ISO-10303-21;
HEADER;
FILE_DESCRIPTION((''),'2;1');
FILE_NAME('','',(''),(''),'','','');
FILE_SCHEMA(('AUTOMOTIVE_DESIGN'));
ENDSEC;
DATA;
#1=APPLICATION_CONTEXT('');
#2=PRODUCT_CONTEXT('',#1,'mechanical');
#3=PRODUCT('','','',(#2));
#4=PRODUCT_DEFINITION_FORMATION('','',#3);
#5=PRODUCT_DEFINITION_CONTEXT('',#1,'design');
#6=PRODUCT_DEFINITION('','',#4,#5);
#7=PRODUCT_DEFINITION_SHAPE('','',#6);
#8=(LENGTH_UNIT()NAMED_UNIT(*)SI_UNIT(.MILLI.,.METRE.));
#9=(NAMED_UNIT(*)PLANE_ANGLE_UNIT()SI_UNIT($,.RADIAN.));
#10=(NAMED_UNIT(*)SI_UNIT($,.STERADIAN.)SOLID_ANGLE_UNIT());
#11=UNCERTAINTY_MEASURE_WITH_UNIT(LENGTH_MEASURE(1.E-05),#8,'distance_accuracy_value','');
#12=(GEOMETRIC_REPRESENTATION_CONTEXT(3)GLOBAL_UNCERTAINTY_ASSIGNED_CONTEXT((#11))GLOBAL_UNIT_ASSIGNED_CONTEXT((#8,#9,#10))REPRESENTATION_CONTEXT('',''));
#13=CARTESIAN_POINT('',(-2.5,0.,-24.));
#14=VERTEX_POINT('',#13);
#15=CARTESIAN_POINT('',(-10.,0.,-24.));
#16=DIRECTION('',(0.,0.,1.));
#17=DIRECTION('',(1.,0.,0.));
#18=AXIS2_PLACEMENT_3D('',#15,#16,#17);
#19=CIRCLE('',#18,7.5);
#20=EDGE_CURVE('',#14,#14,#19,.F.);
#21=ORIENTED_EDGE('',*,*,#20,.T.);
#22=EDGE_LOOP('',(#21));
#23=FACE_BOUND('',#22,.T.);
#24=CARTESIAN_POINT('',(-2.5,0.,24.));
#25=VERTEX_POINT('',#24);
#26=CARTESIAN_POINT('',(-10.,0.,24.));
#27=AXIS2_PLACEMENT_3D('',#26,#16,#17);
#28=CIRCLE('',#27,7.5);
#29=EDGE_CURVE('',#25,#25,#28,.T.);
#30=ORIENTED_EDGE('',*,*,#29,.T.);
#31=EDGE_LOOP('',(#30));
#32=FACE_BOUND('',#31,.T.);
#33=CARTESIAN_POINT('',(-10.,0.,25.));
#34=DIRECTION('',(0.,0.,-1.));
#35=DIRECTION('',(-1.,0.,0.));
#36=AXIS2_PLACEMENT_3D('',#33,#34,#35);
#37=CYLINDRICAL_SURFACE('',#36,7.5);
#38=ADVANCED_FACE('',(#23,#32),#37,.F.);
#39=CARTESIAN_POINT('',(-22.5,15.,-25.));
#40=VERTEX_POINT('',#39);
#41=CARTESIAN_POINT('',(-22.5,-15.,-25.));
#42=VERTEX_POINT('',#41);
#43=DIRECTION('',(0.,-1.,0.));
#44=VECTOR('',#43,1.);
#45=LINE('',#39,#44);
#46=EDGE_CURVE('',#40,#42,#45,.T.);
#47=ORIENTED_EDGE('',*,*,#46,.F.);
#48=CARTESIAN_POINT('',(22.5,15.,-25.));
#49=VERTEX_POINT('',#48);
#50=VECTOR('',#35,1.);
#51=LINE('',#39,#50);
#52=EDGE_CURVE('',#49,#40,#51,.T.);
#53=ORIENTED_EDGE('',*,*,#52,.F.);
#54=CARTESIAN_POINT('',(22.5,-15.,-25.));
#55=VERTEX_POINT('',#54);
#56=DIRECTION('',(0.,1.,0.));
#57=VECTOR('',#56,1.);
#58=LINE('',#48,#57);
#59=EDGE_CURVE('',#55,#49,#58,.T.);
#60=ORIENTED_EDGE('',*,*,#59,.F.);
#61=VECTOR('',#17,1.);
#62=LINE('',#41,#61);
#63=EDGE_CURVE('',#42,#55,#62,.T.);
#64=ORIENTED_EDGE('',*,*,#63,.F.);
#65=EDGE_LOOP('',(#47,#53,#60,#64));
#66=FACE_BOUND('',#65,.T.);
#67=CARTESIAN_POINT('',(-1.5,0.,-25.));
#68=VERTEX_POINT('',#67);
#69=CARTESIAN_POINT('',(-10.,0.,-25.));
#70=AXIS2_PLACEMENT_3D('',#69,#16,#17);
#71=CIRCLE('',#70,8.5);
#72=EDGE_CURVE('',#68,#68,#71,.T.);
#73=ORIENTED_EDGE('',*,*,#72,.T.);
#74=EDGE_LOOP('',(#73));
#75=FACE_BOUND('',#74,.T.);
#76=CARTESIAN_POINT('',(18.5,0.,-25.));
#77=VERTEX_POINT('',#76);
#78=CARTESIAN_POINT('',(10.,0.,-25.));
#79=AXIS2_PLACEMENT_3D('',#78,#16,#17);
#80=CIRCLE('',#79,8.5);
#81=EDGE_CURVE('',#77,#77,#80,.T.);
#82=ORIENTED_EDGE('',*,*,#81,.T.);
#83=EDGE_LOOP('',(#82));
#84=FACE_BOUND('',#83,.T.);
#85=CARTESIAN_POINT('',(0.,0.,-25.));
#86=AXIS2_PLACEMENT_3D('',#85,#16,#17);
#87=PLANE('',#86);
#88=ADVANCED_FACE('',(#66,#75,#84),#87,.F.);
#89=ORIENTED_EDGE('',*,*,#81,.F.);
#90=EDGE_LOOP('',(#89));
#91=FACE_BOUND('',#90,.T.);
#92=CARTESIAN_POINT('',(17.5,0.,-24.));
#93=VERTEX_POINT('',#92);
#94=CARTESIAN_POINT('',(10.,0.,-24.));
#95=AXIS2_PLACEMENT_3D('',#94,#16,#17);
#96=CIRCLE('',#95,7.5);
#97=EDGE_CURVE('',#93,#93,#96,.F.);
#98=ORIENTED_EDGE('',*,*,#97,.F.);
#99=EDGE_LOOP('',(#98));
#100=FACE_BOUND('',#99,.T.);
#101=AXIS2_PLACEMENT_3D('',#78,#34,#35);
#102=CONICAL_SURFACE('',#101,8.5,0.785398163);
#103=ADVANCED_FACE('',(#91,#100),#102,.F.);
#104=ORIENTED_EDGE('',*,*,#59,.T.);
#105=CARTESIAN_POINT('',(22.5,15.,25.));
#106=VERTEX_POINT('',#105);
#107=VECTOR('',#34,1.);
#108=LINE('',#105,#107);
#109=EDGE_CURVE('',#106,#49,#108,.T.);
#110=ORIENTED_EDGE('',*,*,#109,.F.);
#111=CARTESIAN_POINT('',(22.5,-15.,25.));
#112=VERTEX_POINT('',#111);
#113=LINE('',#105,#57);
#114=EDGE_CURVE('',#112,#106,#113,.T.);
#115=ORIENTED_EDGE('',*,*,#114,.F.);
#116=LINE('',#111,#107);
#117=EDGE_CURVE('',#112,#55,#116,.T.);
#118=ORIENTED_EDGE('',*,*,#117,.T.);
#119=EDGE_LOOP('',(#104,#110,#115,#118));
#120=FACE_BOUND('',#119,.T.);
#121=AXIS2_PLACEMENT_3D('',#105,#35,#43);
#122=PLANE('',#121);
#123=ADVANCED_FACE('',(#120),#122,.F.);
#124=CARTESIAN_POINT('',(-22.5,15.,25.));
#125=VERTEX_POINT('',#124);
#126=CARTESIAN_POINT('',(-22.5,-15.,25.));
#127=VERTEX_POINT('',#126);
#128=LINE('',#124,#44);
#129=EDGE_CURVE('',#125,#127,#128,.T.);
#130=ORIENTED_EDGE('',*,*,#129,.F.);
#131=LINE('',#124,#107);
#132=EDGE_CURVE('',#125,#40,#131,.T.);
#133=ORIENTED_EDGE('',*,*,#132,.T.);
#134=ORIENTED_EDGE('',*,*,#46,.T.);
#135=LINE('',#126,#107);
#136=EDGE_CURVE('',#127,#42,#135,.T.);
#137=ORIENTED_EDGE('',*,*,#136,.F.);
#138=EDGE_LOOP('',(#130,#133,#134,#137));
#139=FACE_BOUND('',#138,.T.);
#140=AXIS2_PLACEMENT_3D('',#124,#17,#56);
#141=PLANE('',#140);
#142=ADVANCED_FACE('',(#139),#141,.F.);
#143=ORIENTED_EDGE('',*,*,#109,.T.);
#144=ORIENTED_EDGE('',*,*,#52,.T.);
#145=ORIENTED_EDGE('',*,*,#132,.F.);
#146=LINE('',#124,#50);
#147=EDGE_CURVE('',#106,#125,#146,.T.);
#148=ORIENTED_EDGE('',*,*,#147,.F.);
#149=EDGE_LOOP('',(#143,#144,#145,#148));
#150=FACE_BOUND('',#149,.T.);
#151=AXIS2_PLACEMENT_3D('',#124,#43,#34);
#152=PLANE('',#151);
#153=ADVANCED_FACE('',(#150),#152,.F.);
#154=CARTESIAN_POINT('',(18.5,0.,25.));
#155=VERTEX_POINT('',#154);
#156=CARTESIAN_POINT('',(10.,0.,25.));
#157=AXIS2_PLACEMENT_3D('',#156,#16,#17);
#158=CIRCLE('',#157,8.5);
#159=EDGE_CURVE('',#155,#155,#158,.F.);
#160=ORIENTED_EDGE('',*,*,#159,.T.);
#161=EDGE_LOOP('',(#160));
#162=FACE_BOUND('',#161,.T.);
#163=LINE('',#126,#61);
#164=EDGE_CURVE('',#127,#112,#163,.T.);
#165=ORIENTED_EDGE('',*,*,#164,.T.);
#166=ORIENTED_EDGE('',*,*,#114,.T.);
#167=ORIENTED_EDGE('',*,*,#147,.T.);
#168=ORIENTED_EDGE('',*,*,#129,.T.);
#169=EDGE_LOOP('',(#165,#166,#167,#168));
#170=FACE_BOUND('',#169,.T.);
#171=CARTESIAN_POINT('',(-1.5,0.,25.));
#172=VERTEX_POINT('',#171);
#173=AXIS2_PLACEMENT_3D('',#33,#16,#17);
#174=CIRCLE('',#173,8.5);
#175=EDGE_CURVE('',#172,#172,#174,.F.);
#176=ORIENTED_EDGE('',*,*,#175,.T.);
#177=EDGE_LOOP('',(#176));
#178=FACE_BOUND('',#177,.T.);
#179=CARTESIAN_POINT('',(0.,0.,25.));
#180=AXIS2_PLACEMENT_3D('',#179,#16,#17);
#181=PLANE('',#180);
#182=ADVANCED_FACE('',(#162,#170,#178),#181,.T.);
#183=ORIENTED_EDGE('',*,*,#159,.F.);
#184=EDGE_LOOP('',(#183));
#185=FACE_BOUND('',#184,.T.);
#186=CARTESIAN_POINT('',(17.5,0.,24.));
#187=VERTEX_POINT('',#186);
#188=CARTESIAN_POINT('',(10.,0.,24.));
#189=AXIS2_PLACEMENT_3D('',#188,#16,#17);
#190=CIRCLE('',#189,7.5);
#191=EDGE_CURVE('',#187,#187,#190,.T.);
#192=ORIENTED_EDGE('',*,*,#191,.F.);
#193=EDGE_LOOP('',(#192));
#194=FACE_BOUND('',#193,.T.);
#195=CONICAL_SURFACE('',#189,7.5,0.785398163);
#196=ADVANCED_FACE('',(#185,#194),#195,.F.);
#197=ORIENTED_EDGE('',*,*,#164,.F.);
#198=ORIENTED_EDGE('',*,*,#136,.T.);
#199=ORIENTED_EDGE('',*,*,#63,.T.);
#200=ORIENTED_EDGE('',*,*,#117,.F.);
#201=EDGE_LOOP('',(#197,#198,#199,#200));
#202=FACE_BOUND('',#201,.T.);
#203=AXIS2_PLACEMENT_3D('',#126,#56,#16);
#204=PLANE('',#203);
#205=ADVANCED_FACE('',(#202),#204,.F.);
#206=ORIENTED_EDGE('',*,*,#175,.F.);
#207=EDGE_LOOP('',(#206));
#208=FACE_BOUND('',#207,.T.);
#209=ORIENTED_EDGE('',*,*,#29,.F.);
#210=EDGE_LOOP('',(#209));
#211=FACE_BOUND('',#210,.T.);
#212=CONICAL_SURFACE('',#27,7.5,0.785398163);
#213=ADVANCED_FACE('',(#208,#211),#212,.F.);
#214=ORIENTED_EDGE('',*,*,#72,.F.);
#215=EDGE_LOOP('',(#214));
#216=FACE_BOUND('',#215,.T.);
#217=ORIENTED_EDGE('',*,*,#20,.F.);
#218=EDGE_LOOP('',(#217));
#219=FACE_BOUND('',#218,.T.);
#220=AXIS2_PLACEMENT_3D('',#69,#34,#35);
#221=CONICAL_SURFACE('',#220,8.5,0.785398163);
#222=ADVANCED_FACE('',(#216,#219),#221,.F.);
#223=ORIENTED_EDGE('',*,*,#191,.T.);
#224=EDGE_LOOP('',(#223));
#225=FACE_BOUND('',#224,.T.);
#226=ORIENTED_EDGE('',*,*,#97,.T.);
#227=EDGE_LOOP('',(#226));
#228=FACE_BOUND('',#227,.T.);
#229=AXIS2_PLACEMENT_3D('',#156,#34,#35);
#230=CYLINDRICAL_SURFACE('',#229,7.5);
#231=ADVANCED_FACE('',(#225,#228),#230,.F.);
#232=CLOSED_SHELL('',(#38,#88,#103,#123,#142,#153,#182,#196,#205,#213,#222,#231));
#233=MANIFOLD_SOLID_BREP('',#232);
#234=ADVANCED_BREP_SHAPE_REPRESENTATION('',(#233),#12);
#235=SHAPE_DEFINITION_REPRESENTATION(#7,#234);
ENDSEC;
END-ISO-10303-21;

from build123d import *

# Parameters (mm, degrees)
SKETCH1_W           = 45
SKETCH1_H           = 30
SKETCH1_R           = 7.5
BOSS_EXTRUDE1_DEPTH = 25
CHAMFER1_SIZE       = 1


with BuildPart() as part:
    # Sketch1 → Boss-Extrude1 (new body, symmetric)
    with BuildSketch(Plane.XY):
        Rectangle(SKETCH1_W, SKETCH1_H)
        with Locations((-10, 0)):
            Circle(SKETCH1_R, mode=Mode.SUBTRACT)
        with Locations((10, 0)):
            Circle(SKETCH1_R, mode=Mode.SUBTRACT)
    extrude(amount=BOSS_EXTRUDE1_DEPTH, both=True)

    # Chamfer1
    chamfer1_edges = [part.edges().sort_by_distance(p)[0] for p in [
        (-17.5, 0, -25),
        (-17.5, 0, 25),
        (2.5, 0, -25),
        (2.5, 0, 25),
    ]]
    chamfer(chamfer1_edges, length=CHAMFER1_SIZE)


solid = part.part
